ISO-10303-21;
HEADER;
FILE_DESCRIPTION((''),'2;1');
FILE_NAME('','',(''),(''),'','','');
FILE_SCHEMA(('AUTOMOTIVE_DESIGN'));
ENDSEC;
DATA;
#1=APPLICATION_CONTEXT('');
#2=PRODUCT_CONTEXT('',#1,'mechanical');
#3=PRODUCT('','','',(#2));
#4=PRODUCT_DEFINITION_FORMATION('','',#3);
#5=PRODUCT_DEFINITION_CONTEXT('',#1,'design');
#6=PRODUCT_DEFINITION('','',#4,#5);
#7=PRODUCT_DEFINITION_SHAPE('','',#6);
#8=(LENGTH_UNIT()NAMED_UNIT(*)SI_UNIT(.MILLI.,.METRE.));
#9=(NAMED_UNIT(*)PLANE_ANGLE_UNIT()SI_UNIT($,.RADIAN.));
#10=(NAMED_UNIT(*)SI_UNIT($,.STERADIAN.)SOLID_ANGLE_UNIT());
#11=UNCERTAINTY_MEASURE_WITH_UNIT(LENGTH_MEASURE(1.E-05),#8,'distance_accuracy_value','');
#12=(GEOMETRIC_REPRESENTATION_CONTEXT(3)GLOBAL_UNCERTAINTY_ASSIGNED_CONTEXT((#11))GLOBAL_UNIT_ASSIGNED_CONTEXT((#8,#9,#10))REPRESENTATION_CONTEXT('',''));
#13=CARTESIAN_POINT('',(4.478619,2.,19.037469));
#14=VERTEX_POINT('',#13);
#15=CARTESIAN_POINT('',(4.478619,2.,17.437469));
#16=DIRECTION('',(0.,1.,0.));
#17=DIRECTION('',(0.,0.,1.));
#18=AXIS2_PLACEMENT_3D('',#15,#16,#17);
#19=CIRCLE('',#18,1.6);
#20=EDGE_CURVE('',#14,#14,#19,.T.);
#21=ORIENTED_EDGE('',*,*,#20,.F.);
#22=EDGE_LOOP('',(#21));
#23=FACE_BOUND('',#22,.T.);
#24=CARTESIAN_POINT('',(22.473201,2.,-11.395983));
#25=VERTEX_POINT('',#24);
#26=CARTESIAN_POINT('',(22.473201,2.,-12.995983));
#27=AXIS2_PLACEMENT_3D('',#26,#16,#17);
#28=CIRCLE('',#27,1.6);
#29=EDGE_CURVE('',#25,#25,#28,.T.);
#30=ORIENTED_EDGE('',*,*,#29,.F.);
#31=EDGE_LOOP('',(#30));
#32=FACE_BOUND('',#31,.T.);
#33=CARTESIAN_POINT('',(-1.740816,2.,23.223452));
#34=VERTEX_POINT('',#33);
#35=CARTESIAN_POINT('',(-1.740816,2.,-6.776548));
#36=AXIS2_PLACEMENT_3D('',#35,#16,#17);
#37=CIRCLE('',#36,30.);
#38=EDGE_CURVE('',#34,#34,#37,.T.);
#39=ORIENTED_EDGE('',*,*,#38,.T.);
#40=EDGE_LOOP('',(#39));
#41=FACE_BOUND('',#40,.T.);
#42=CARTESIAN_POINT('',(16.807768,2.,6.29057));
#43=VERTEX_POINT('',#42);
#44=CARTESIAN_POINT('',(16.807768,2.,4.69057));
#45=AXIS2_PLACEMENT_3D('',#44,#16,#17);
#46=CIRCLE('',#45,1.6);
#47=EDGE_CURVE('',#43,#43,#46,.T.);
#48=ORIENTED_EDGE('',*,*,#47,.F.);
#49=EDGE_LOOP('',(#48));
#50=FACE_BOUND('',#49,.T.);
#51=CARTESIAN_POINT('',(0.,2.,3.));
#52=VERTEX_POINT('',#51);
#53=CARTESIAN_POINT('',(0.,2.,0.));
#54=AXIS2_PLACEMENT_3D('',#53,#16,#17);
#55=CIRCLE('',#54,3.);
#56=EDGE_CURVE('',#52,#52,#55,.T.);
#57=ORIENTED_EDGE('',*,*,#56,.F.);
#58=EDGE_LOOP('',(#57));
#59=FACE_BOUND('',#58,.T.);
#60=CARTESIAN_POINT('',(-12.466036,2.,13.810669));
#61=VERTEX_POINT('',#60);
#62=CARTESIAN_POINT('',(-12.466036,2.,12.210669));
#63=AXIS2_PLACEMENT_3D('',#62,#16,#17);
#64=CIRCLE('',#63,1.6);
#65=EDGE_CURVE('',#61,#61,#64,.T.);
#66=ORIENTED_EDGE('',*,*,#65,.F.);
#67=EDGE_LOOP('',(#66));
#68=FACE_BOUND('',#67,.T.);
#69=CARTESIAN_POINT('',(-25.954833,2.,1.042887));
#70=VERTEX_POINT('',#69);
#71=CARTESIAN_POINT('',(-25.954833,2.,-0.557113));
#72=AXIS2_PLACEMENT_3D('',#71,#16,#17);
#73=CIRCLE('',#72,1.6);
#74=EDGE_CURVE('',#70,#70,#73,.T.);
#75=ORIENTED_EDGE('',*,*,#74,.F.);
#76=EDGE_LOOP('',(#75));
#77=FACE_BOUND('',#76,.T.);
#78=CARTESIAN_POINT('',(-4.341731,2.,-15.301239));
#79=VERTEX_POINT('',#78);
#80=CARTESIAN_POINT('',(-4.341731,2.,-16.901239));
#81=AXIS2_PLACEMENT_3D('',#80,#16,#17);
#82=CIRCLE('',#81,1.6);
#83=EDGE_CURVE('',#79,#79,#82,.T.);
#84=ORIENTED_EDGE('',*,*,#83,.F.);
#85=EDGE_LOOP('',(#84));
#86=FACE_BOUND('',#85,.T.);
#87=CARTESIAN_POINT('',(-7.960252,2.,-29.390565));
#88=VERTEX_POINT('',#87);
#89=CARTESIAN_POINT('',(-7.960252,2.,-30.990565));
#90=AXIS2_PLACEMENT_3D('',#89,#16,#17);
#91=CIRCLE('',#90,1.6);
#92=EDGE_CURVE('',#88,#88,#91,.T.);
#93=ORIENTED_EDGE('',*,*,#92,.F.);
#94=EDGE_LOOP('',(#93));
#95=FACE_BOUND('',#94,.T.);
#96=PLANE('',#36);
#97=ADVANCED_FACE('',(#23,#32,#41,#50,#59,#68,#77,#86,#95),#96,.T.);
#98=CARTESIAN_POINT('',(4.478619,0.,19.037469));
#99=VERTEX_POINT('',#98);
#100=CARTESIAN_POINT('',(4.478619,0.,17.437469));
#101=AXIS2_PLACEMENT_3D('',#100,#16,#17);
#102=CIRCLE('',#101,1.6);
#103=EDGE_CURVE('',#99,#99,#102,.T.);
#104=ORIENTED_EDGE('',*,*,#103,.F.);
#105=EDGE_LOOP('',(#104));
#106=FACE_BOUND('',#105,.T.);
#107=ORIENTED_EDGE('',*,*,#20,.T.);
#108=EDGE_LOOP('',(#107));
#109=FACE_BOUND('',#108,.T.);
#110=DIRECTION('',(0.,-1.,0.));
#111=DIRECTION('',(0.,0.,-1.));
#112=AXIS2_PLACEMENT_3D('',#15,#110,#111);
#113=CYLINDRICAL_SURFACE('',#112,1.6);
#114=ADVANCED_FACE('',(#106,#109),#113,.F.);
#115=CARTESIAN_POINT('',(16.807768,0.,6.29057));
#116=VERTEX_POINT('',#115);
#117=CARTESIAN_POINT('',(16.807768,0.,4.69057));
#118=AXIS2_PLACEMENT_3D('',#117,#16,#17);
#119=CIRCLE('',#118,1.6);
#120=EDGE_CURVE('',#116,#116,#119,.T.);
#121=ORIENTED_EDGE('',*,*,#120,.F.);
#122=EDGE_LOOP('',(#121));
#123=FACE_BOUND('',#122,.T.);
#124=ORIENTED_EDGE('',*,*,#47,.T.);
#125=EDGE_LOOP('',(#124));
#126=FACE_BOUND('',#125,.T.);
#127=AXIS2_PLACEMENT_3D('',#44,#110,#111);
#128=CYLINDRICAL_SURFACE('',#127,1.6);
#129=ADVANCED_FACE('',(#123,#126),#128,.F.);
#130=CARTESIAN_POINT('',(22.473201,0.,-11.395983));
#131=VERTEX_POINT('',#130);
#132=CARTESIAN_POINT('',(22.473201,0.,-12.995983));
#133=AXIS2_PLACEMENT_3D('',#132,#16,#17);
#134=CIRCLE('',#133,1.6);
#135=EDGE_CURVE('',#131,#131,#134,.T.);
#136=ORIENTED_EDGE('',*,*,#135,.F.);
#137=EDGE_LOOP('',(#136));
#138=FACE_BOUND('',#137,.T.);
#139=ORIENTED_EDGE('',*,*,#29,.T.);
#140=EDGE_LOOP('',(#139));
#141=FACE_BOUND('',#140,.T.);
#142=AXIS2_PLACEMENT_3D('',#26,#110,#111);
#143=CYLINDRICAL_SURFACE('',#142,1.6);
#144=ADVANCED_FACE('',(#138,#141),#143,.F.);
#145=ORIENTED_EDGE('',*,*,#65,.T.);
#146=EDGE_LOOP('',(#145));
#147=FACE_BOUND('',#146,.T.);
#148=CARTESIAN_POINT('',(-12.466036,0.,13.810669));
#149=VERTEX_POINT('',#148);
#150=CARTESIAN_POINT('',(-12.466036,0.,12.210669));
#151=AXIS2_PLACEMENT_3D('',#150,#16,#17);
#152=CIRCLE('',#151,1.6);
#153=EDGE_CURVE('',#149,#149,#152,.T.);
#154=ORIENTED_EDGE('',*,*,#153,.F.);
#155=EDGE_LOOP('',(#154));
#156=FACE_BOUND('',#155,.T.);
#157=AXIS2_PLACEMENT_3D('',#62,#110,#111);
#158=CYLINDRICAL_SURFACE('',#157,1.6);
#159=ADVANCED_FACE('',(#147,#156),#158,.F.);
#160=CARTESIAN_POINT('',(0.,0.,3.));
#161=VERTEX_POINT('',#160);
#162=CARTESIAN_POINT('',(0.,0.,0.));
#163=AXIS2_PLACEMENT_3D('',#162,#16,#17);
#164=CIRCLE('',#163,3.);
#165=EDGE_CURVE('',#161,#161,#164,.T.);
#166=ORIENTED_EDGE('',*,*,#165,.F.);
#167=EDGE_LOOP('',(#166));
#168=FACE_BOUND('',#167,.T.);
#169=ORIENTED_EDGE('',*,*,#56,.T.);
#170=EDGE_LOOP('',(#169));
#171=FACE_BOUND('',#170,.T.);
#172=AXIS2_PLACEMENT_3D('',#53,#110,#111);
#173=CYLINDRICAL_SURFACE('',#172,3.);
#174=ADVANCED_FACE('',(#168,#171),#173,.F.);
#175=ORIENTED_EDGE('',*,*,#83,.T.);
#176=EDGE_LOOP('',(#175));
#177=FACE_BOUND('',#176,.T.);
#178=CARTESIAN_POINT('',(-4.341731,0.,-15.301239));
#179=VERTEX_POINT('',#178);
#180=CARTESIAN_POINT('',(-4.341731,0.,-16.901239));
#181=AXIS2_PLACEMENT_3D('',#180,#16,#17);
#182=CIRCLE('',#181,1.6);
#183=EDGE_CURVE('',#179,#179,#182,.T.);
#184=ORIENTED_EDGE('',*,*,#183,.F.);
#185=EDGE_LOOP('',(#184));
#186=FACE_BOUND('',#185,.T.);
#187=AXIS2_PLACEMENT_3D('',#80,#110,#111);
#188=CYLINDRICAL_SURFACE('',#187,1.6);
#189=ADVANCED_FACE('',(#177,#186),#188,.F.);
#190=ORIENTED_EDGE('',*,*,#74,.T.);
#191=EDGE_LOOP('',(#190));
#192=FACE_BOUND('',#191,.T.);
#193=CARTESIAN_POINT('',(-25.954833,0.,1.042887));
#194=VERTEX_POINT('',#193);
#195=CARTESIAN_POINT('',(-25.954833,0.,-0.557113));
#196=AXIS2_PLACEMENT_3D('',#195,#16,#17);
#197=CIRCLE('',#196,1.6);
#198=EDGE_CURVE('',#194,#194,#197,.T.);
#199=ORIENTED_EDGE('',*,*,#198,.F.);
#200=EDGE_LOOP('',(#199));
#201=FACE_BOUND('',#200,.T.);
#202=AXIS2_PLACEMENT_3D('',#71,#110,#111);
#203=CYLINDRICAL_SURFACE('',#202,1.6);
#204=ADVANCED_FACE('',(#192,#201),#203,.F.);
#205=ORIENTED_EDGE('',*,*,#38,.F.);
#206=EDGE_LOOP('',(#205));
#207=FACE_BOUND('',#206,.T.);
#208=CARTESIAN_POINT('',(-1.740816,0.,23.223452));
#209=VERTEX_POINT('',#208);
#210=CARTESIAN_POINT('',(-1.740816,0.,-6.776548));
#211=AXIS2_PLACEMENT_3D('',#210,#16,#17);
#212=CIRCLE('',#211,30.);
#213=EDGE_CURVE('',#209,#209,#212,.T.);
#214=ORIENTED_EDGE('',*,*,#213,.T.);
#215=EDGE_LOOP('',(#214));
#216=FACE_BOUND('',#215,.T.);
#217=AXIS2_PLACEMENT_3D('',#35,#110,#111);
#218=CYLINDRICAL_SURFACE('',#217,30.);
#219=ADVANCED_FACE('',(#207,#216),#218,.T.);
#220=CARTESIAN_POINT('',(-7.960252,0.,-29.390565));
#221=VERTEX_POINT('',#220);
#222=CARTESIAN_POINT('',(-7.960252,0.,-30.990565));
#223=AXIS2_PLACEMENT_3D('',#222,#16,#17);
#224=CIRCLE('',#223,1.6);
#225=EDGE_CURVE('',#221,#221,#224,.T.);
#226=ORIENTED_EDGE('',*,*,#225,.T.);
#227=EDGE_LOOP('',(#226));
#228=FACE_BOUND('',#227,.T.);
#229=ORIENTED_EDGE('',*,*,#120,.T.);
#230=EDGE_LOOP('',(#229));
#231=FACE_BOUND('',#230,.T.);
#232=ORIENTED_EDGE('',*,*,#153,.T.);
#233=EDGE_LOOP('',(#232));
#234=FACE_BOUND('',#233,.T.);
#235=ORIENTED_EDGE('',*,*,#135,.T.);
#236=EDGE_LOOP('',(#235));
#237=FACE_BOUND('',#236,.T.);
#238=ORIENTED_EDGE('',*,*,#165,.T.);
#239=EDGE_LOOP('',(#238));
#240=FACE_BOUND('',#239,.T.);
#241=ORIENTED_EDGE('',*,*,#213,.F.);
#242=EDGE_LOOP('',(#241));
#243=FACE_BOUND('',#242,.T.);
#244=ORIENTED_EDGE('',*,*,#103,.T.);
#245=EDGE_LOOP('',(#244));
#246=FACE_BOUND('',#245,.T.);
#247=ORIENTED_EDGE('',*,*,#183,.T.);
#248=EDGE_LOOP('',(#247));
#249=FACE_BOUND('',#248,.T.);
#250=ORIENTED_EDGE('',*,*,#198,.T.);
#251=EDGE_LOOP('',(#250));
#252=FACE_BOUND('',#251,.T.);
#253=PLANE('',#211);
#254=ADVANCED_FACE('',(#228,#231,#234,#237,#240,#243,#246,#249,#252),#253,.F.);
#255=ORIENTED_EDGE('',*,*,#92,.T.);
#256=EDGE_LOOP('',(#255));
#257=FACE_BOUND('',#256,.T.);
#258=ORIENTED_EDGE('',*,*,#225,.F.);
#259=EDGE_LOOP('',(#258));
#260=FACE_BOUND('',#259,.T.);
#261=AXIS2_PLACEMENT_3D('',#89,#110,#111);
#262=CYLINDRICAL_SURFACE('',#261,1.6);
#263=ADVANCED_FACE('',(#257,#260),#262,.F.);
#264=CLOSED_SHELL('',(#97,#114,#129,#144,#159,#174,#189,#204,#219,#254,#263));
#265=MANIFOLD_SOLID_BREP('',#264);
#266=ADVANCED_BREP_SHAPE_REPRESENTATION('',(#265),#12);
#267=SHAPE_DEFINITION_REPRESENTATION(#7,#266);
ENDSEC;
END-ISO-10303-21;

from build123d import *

# Parameters (mm, degrees)
SKETCH_1_R      = 30
SKETCH_1_R_2    = 3
SKETCH_1_R_3    = 1.6
EXTRUDE_1_DEPTH = 2


with BuildPart() as part:
    # 草图1 → 凸台-拉伸1 (new body)
    with BuildSketch(Plane(origin=(0, 0, 0), x_dir=(1, 0, 0), z_dir=(0, 1, 0))):
        with Locations(Location((-1.74081619, 6.776547835, 0), (0, 0, 270))):
            Circle(SKETCH_1_R)
        with Locations(Location((0, 0, 0), (0, 0, 270))):
            Circle(SKETCH_1_R_2, mode=Mode.SUBTRACT)
        with Locations(Location((-12.466036401, -12.21066896, 0), (0, 0, 270))):
            Circle(SKETCH_1_R_3, mode=Mode.SUBTRACT)
        with Locations(Location((-4.341731316, 16.901238688, 0), (0, 0, 270))):
            Circle(SKETCH_1_R_3, mode=Mode.SUBTRACT)
        with Locations(Location((16.807767717, -4.690569728, 0), (0, 0, 270))):
            Circle(SKETCH_1_R_3, mode=Mode.SUBTRACT)
        with Locations(Location((-7.960251519, 30.990564936, 0), (0, 0, 270))):
            Circle(SKETCH_1_R_3, mode=Mode.SUBTRACT)
        with Locations(Location((4.478619138, -17.437469267, 0), (0, 0, 270))):
            Circle(SKETCH_1_R_3, mode=Mode.SUBTRACT)
        with Locations(Location((22.473200911, 12.995983163, 0), (0, 0, 270))):
            Circle(SKETCH_1_R_3, mode=Mode.SUBTRACT)
        with Locations(Location((-25.954833292, 0.557112506, 0), (0, 0, 270))):
            Circle(SKETCH_1_R_3, mode=Mode.SUBTRACT)
    extrude(amount=EXTRUDE_1_DEPTH)


solid = part.part
